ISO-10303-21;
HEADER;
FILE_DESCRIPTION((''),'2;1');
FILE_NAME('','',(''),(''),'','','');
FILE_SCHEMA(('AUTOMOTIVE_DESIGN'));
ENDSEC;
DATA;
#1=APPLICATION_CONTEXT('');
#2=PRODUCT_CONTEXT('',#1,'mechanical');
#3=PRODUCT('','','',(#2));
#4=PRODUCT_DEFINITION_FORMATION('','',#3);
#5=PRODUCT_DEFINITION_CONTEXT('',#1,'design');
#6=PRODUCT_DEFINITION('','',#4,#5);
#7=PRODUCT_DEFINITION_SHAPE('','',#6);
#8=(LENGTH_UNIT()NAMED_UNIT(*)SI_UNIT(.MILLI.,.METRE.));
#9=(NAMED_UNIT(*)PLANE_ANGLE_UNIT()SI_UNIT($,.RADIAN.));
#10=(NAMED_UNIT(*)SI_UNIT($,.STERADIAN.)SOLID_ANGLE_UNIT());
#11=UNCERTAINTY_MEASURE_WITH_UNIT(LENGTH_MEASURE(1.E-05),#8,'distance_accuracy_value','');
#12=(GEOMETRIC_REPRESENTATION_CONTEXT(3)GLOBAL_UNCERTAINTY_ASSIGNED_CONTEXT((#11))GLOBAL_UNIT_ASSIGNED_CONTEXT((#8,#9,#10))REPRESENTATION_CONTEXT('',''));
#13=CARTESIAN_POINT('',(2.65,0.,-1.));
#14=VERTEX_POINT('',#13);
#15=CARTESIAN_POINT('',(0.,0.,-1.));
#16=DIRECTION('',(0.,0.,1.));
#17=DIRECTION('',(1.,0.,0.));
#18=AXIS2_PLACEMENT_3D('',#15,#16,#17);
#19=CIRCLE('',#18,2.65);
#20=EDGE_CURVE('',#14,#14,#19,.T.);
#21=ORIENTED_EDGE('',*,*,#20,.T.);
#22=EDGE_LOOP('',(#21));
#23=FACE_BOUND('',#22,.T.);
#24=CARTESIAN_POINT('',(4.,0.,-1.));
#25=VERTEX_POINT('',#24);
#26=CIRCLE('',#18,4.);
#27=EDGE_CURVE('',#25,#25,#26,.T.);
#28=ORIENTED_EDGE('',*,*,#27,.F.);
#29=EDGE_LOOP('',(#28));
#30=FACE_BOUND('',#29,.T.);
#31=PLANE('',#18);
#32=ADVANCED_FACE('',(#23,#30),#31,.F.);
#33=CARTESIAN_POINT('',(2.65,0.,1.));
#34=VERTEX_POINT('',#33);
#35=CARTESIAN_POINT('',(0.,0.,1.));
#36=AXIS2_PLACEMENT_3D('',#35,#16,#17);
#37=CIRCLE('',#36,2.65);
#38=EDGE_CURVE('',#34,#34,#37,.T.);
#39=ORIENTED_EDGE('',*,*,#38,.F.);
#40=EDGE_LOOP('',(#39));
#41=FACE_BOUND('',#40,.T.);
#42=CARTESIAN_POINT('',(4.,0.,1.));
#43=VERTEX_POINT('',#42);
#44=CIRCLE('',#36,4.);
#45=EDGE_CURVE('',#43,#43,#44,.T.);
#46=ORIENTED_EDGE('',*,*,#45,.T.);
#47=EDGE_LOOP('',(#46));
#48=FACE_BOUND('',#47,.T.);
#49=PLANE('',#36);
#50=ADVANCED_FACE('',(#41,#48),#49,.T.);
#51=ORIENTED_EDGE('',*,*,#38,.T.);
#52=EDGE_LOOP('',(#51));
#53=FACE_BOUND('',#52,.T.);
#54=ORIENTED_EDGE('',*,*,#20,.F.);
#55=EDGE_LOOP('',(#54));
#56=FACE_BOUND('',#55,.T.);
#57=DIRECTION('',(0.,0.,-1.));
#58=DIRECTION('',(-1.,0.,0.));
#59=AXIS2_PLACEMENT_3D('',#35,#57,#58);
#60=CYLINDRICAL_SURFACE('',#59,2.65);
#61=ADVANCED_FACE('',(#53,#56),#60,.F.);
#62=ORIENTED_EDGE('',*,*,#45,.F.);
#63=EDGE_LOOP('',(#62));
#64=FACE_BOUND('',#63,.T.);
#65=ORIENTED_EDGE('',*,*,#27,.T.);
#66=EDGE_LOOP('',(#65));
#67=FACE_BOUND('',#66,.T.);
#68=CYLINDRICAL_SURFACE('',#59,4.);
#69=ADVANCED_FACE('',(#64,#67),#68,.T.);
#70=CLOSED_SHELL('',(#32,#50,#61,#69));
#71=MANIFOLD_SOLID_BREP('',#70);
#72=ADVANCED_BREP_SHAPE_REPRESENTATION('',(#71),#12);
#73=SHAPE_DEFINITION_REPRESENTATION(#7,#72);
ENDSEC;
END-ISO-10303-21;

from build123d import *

# Parameters (mm, degrees)
SKETCH1_R           = 4
SKETCH1_R_2         = 2.65
EXTRUDE1_DEPTH      = 1
EXTRUDE1_DEPTH_BACK = 1


with BuildPart() as part:
    # Sketch1 → Extrude1 (new body, two sides)
    with BuildSketch(Plane.XY) as extrude1_sk:
        Circle(SKETCH1_R)
        Circle(SKETCH1_R_2, mode=Mode.SUBTRACT)
    extrude(amount=EXTRUDE1_DEPTH)
    extrude(extrude1_sk.sketch, amount=-EXTRUDE1_DEPTH_BACK)


solid = part.part
